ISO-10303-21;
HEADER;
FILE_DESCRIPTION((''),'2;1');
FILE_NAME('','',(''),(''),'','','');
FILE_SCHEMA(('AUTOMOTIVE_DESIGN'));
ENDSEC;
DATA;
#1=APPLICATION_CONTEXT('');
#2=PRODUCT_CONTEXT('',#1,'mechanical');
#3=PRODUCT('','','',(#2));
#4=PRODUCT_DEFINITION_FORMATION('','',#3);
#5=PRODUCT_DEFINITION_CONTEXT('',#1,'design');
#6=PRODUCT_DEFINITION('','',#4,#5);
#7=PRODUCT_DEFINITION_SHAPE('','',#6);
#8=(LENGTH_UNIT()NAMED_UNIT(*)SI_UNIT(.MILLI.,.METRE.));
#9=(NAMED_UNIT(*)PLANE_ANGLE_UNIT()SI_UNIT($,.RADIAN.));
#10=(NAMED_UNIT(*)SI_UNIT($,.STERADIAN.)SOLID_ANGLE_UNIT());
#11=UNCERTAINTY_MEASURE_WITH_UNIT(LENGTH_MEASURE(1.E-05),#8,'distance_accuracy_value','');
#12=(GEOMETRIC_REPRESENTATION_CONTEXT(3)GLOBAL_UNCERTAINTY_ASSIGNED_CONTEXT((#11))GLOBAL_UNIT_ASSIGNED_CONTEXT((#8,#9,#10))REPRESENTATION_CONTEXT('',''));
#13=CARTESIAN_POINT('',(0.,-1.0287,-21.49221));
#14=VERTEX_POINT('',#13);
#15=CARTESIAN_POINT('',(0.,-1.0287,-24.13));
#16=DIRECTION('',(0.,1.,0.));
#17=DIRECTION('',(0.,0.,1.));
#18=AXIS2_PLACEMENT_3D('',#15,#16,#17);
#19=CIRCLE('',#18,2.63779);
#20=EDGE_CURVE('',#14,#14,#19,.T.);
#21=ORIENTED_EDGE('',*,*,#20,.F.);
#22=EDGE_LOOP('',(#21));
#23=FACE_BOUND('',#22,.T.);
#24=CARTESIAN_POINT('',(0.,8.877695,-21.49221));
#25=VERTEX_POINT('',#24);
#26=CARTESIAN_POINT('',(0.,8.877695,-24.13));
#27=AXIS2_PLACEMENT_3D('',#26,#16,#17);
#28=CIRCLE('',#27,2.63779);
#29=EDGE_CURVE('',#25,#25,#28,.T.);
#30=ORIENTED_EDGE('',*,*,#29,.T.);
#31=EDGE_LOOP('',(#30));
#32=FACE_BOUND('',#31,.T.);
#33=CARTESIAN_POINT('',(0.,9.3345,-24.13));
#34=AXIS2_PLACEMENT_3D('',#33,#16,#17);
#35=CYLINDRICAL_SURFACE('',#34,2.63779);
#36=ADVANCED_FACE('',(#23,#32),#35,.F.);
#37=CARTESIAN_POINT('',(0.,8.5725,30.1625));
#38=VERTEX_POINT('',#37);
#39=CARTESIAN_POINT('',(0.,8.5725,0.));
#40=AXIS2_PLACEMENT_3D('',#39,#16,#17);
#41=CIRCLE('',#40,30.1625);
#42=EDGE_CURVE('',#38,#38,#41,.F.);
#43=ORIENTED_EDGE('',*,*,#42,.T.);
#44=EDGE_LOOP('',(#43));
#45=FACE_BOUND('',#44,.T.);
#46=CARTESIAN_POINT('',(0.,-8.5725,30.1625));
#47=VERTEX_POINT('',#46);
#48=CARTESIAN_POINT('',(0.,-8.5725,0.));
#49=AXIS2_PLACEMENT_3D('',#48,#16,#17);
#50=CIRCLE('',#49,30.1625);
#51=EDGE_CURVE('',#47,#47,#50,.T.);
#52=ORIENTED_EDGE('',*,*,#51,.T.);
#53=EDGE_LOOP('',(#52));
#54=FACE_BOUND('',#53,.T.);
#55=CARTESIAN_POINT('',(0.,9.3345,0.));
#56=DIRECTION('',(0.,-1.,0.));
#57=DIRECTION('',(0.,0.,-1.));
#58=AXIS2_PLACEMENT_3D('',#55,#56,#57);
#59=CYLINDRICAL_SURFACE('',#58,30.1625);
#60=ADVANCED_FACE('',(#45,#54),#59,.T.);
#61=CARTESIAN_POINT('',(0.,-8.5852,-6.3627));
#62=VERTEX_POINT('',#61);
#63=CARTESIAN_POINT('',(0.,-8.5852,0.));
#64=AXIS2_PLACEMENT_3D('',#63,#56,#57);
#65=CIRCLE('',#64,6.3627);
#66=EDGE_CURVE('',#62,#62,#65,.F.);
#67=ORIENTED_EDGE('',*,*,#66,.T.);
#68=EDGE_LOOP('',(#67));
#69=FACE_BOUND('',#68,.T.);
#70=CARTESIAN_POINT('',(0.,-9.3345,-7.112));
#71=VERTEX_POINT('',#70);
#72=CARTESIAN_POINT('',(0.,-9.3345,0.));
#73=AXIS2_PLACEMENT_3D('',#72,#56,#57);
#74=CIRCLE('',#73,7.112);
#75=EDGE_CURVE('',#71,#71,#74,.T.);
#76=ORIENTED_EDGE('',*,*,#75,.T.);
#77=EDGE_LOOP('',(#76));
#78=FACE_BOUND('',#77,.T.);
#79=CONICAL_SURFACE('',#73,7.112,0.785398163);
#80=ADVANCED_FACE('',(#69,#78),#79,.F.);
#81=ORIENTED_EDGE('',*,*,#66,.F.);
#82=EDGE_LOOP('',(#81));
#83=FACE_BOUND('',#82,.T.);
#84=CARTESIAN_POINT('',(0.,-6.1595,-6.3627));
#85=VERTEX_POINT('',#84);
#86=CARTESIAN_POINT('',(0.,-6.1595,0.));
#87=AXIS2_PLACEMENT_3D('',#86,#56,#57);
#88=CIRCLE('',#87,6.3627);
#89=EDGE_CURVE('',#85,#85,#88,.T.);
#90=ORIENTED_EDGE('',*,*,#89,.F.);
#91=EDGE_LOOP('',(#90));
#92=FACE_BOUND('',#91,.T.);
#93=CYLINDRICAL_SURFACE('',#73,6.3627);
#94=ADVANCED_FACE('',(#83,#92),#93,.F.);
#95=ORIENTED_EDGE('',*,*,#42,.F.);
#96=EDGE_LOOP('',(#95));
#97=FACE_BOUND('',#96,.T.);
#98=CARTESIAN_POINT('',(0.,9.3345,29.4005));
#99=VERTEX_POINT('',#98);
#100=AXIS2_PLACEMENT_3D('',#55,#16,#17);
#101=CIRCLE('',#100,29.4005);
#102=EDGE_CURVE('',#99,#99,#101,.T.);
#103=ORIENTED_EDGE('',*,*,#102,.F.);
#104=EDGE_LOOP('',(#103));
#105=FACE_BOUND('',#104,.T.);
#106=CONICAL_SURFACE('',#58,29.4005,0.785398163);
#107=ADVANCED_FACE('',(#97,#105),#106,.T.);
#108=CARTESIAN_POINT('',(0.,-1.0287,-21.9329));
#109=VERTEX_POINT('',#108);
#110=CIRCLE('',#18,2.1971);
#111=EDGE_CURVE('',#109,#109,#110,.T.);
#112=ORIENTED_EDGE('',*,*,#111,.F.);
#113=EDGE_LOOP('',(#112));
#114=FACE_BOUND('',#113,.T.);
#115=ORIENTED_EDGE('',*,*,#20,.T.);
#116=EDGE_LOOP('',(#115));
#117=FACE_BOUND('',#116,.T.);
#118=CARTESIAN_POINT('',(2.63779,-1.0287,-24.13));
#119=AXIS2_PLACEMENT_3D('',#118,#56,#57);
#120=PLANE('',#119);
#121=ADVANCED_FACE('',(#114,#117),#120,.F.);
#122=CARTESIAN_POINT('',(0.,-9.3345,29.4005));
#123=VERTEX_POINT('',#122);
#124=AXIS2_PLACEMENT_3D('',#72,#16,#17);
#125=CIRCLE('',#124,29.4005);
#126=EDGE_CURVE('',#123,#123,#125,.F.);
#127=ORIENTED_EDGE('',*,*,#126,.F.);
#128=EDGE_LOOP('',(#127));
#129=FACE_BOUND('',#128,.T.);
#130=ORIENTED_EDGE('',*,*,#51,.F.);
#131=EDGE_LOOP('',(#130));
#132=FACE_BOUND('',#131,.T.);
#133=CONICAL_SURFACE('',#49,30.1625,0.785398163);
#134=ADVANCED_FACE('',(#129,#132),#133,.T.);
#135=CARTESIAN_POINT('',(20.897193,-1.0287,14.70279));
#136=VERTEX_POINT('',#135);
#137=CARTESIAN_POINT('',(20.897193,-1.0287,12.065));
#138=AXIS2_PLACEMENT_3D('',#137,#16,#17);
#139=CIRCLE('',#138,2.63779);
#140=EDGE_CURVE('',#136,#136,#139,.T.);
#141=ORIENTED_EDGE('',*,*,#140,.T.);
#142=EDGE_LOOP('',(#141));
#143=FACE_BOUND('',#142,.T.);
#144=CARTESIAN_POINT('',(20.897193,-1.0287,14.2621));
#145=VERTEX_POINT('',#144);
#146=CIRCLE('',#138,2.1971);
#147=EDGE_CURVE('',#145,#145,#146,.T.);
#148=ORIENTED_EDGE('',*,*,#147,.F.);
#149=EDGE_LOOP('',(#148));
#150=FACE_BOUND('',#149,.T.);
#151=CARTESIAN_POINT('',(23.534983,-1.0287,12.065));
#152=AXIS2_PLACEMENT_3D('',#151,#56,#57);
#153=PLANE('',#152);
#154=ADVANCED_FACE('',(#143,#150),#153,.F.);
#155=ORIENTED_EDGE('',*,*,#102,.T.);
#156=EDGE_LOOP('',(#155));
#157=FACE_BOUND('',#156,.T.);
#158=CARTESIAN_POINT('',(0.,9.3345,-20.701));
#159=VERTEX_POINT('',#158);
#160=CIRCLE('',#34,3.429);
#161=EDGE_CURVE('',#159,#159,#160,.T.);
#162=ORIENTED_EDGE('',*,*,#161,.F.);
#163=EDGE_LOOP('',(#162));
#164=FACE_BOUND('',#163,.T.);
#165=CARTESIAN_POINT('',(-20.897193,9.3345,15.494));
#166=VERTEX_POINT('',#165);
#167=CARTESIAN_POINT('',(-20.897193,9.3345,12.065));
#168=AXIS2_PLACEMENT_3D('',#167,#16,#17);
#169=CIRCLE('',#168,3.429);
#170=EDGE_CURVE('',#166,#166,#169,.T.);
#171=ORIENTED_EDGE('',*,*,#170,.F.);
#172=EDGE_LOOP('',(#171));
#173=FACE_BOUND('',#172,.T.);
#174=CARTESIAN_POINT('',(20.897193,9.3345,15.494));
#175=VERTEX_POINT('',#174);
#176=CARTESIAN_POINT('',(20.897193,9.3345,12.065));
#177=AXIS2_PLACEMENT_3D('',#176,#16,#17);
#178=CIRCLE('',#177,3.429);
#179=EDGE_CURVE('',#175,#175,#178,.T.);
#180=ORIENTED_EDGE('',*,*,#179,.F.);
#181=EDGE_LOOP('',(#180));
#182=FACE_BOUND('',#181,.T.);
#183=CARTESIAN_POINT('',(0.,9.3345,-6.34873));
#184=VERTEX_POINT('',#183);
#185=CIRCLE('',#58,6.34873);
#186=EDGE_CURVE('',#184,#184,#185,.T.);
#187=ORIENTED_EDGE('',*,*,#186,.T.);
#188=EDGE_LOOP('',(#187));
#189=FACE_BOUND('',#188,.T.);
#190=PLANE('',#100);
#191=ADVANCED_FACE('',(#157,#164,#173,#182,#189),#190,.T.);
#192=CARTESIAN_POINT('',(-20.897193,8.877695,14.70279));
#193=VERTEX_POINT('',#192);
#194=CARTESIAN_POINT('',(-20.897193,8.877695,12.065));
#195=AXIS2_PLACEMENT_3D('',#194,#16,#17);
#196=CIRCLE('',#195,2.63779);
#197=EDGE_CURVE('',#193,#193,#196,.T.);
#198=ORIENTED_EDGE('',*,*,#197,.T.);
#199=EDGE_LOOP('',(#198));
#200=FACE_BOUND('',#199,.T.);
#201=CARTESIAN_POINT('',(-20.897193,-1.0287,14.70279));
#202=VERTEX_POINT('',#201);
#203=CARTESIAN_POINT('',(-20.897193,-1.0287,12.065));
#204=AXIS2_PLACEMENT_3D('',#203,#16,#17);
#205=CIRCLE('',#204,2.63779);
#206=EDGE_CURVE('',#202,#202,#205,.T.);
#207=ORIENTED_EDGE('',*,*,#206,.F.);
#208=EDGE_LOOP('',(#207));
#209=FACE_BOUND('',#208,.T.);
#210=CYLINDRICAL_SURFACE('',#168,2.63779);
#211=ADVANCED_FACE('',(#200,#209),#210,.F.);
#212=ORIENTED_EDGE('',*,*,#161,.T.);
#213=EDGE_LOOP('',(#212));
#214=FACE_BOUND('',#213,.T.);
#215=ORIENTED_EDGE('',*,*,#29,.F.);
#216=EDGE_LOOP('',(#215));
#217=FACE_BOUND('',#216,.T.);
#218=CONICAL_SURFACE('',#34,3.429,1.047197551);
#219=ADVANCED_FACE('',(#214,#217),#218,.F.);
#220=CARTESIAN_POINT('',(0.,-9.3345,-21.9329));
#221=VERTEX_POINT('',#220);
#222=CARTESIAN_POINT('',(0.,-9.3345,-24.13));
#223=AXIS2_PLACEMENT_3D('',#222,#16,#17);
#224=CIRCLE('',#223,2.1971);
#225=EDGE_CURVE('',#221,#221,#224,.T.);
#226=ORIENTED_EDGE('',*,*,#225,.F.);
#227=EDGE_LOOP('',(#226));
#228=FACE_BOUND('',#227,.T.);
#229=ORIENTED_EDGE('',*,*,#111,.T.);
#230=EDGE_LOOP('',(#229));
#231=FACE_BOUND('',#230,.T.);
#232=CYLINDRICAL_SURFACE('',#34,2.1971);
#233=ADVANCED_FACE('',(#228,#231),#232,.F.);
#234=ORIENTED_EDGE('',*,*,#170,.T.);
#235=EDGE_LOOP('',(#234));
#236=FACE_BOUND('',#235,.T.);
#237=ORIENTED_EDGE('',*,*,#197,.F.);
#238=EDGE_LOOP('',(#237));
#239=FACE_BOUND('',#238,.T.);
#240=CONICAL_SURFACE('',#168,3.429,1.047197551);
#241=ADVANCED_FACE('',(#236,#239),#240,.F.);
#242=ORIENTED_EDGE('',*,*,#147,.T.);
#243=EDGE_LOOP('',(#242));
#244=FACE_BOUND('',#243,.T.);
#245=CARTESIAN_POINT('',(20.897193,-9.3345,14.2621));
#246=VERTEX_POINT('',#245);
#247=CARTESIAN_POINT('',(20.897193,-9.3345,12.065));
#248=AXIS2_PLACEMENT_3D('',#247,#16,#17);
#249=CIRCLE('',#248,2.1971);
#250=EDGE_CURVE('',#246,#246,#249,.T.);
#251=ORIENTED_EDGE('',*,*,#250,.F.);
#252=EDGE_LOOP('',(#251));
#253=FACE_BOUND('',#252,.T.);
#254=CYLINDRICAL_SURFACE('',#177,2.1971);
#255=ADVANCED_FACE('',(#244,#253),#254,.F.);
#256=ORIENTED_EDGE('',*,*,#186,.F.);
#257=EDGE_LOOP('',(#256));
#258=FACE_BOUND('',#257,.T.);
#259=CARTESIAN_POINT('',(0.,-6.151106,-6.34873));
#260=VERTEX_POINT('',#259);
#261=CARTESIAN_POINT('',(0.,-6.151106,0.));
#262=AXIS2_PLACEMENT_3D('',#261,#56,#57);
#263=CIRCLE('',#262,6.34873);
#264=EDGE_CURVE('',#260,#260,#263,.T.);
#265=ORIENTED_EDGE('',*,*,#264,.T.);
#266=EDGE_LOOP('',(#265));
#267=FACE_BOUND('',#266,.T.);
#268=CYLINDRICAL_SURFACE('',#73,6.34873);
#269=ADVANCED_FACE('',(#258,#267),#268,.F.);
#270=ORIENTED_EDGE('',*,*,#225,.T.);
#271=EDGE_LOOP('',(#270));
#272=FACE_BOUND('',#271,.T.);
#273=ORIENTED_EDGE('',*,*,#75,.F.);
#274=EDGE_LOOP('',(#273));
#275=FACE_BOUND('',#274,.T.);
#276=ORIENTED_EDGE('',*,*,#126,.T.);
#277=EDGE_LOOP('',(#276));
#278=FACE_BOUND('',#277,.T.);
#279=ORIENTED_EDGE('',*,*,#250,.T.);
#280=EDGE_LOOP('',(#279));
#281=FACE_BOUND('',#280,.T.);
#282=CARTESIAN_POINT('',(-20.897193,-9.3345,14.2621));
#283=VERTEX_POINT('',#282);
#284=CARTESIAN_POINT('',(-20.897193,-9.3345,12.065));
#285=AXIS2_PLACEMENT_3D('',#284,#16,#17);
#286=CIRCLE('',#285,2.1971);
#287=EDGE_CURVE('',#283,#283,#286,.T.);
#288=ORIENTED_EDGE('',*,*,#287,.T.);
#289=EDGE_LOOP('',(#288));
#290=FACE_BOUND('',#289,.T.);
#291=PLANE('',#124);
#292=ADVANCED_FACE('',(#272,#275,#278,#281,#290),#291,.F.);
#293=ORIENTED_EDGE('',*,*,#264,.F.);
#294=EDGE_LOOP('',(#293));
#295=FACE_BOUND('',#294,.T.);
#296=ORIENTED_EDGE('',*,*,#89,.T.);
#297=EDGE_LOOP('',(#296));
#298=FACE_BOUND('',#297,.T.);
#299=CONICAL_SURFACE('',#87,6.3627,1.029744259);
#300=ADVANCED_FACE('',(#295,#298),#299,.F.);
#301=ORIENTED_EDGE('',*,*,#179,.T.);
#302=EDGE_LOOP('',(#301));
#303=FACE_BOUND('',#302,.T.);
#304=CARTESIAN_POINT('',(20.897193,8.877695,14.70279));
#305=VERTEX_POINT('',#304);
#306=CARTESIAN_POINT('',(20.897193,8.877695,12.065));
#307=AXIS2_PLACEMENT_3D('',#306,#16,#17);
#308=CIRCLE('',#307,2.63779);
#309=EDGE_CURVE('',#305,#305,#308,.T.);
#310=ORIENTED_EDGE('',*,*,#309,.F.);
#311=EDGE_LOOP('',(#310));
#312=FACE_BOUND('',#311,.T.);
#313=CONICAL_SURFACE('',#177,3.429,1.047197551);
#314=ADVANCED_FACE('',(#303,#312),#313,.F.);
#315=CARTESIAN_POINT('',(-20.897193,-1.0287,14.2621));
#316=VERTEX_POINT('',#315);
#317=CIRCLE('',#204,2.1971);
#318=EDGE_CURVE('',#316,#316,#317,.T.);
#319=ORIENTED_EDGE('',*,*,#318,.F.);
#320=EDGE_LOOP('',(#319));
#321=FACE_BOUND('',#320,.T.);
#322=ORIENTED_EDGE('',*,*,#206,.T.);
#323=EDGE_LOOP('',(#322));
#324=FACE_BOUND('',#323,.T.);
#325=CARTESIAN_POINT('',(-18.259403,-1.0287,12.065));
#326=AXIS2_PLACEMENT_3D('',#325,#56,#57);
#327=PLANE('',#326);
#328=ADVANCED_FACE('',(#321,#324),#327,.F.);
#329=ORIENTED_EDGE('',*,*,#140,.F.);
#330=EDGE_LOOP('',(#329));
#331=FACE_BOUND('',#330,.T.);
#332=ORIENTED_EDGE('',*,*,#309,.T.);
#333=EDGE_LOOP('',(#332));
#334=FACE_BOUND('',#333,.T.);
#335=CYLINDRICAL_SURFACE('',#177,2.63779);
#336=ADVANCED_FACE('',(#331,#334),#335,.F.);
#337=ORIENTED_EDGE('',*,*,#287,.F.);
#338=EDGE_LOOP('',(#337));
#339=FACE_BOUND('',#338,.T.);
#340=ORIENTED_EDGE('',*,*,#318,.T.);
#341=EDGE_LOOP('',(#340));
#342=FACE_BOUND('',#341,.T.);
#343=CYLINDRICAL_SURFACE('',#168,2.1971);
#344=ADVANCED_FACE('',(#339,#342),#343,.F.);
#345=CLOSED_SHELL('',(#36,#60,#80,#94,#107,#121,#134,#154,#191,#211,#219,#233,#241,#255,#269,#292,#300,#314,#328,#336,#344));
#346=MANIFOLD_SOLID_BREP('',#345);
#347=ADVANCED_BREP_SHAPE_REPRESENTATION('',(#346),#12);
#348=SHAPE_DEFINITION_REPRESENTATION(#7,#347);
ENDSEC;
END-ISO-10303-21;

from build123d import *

# Parameters (mm, degrees)
SKETCH1_R                            = 30.1625
EXTRUDE1_DEPTH                       = 9.3345
CIRPATTERN1_COUNT                    = 3
F_1_2_0_5_DIAMETER_HOLE1_D           = 12.69746
F_1_2_0_5_DIAMETER_HOLE1_CSINK_D     = 14.224
F_1_2_0_5_DIAMETER_HOLE1_CSINK_ANGLE = 90
CHAMFER1_SIZE                        = 0.762
F_1_2_0_5_DIAMETER_HOLE2_D           = 12.7254
F_1_2_0_5_DIAMETER_HOLE2_DEPTH       = 3.175
F_1_2_0_5_DIAMETER_HOLE2_TIP         = 3.823095861


with BuildPart() as part:
    # Sketch1 → Extrude1 (new body, symmetric)
    with BuildSketch(Plane(origin=(0, 0, 0), x_dir=(1, 0, 0), z_dir=(0, 1, 0))):
        with Locations(Location((0, 0, 0), (0, 0, 270))):  # turned: the seam where the file's is
            Circle(SKETCH1_R)
    extrude(amount=EXTRUDE1_DEPTH, both=True)

    # Sketch2 → Tapped Hole for _8-32 Helicoil1 (revolve, cut)
    with BuildSketch(Plane(origin=(0, 9.3345, -24.13), x_dir=(0, 0, 1), z_dir=(1, 0, 0))):
        Polygon((0, 0), (0, 18.669), (2.1971, 18.669), (2.1971, 10.3632), (2.63779, 10.3632), (2.63779, 0.456805306), (3.429, 0), align=None)
    tapped_hole_for_8_32_helicoil1 = revolve(axis=Axis((0, 15.6845, -24.13), (0, -1, 0)), mode=Mode.SUBTRACT)

    # CirPattern1: Tapped Hole for _8-32 Helicoil1 ×3 about axis
    cirpattern1_axis = Axis((0, 0, 0), (0, 1, 0))
    for i in range(1, CIRPATTERN1_COUNT):
        add(tapped_hole_for_8_32_helicoil1.rotate(cirpattern1_axis, i * 360 / CIRPATTERN1_COUNT), mode=Mode.SUBTRACT)

    # 1_2 _0.5_ Diameter Hole1 (through all)
    with Locations(Plane(origin=(-26.174612808, -9.3345, 9.244261036), x_dir=(1, 0, 0), z_dir=(0, -1, 0))):
        with Locations((26.174612808, -9.244261036)):
            CounterSinkHole(F_1_2_0_5_DIAMETER_HOLE1_D / 2, F_1_2_0_5_DIAMETER_HOLE1_CSINK_D / 2, counter_sink_angle=F_1_2_0_5_DIAMETER_HOLE1_CSINK_ANGLE)

    # Chamfer1
    chamfer1_edges = [part.edges().sort_by_distance(p)[0] for p in [
        (0, -9.3345, -30.1625),
        (0, 9.3345, -30.1625),
    ]]
    chamfer(chamfer1_edges, length=CHAMFER1_SIZE)

    # 1_2 _0.5_ Diameter Hole2
    with Locations(Plane.XZ.offset(9.3345)):
        with Locations((0, 0)):
            Hole(F_1_2_0_5_DIAMETER_HOLE2_D / 2, depth=F_1_2_0_5_DIAMETER_HOLE2_DEPTH)
            with Locations((0, 0, -(F_1_2_0_5_DIAMETER_HOLE2_DEPTH + F_1_2_0_5_DIAMETER_HOLE2_TIP / 2))):  # 118° drill point
                Cone(0, F_1_2_0_5_DIAMETER_HOLE2_D / 2, F_1_2_0_5_DIAMETER_HOLE2_TIP, mode=Mode.SUBTRACT)


solid = part.part
